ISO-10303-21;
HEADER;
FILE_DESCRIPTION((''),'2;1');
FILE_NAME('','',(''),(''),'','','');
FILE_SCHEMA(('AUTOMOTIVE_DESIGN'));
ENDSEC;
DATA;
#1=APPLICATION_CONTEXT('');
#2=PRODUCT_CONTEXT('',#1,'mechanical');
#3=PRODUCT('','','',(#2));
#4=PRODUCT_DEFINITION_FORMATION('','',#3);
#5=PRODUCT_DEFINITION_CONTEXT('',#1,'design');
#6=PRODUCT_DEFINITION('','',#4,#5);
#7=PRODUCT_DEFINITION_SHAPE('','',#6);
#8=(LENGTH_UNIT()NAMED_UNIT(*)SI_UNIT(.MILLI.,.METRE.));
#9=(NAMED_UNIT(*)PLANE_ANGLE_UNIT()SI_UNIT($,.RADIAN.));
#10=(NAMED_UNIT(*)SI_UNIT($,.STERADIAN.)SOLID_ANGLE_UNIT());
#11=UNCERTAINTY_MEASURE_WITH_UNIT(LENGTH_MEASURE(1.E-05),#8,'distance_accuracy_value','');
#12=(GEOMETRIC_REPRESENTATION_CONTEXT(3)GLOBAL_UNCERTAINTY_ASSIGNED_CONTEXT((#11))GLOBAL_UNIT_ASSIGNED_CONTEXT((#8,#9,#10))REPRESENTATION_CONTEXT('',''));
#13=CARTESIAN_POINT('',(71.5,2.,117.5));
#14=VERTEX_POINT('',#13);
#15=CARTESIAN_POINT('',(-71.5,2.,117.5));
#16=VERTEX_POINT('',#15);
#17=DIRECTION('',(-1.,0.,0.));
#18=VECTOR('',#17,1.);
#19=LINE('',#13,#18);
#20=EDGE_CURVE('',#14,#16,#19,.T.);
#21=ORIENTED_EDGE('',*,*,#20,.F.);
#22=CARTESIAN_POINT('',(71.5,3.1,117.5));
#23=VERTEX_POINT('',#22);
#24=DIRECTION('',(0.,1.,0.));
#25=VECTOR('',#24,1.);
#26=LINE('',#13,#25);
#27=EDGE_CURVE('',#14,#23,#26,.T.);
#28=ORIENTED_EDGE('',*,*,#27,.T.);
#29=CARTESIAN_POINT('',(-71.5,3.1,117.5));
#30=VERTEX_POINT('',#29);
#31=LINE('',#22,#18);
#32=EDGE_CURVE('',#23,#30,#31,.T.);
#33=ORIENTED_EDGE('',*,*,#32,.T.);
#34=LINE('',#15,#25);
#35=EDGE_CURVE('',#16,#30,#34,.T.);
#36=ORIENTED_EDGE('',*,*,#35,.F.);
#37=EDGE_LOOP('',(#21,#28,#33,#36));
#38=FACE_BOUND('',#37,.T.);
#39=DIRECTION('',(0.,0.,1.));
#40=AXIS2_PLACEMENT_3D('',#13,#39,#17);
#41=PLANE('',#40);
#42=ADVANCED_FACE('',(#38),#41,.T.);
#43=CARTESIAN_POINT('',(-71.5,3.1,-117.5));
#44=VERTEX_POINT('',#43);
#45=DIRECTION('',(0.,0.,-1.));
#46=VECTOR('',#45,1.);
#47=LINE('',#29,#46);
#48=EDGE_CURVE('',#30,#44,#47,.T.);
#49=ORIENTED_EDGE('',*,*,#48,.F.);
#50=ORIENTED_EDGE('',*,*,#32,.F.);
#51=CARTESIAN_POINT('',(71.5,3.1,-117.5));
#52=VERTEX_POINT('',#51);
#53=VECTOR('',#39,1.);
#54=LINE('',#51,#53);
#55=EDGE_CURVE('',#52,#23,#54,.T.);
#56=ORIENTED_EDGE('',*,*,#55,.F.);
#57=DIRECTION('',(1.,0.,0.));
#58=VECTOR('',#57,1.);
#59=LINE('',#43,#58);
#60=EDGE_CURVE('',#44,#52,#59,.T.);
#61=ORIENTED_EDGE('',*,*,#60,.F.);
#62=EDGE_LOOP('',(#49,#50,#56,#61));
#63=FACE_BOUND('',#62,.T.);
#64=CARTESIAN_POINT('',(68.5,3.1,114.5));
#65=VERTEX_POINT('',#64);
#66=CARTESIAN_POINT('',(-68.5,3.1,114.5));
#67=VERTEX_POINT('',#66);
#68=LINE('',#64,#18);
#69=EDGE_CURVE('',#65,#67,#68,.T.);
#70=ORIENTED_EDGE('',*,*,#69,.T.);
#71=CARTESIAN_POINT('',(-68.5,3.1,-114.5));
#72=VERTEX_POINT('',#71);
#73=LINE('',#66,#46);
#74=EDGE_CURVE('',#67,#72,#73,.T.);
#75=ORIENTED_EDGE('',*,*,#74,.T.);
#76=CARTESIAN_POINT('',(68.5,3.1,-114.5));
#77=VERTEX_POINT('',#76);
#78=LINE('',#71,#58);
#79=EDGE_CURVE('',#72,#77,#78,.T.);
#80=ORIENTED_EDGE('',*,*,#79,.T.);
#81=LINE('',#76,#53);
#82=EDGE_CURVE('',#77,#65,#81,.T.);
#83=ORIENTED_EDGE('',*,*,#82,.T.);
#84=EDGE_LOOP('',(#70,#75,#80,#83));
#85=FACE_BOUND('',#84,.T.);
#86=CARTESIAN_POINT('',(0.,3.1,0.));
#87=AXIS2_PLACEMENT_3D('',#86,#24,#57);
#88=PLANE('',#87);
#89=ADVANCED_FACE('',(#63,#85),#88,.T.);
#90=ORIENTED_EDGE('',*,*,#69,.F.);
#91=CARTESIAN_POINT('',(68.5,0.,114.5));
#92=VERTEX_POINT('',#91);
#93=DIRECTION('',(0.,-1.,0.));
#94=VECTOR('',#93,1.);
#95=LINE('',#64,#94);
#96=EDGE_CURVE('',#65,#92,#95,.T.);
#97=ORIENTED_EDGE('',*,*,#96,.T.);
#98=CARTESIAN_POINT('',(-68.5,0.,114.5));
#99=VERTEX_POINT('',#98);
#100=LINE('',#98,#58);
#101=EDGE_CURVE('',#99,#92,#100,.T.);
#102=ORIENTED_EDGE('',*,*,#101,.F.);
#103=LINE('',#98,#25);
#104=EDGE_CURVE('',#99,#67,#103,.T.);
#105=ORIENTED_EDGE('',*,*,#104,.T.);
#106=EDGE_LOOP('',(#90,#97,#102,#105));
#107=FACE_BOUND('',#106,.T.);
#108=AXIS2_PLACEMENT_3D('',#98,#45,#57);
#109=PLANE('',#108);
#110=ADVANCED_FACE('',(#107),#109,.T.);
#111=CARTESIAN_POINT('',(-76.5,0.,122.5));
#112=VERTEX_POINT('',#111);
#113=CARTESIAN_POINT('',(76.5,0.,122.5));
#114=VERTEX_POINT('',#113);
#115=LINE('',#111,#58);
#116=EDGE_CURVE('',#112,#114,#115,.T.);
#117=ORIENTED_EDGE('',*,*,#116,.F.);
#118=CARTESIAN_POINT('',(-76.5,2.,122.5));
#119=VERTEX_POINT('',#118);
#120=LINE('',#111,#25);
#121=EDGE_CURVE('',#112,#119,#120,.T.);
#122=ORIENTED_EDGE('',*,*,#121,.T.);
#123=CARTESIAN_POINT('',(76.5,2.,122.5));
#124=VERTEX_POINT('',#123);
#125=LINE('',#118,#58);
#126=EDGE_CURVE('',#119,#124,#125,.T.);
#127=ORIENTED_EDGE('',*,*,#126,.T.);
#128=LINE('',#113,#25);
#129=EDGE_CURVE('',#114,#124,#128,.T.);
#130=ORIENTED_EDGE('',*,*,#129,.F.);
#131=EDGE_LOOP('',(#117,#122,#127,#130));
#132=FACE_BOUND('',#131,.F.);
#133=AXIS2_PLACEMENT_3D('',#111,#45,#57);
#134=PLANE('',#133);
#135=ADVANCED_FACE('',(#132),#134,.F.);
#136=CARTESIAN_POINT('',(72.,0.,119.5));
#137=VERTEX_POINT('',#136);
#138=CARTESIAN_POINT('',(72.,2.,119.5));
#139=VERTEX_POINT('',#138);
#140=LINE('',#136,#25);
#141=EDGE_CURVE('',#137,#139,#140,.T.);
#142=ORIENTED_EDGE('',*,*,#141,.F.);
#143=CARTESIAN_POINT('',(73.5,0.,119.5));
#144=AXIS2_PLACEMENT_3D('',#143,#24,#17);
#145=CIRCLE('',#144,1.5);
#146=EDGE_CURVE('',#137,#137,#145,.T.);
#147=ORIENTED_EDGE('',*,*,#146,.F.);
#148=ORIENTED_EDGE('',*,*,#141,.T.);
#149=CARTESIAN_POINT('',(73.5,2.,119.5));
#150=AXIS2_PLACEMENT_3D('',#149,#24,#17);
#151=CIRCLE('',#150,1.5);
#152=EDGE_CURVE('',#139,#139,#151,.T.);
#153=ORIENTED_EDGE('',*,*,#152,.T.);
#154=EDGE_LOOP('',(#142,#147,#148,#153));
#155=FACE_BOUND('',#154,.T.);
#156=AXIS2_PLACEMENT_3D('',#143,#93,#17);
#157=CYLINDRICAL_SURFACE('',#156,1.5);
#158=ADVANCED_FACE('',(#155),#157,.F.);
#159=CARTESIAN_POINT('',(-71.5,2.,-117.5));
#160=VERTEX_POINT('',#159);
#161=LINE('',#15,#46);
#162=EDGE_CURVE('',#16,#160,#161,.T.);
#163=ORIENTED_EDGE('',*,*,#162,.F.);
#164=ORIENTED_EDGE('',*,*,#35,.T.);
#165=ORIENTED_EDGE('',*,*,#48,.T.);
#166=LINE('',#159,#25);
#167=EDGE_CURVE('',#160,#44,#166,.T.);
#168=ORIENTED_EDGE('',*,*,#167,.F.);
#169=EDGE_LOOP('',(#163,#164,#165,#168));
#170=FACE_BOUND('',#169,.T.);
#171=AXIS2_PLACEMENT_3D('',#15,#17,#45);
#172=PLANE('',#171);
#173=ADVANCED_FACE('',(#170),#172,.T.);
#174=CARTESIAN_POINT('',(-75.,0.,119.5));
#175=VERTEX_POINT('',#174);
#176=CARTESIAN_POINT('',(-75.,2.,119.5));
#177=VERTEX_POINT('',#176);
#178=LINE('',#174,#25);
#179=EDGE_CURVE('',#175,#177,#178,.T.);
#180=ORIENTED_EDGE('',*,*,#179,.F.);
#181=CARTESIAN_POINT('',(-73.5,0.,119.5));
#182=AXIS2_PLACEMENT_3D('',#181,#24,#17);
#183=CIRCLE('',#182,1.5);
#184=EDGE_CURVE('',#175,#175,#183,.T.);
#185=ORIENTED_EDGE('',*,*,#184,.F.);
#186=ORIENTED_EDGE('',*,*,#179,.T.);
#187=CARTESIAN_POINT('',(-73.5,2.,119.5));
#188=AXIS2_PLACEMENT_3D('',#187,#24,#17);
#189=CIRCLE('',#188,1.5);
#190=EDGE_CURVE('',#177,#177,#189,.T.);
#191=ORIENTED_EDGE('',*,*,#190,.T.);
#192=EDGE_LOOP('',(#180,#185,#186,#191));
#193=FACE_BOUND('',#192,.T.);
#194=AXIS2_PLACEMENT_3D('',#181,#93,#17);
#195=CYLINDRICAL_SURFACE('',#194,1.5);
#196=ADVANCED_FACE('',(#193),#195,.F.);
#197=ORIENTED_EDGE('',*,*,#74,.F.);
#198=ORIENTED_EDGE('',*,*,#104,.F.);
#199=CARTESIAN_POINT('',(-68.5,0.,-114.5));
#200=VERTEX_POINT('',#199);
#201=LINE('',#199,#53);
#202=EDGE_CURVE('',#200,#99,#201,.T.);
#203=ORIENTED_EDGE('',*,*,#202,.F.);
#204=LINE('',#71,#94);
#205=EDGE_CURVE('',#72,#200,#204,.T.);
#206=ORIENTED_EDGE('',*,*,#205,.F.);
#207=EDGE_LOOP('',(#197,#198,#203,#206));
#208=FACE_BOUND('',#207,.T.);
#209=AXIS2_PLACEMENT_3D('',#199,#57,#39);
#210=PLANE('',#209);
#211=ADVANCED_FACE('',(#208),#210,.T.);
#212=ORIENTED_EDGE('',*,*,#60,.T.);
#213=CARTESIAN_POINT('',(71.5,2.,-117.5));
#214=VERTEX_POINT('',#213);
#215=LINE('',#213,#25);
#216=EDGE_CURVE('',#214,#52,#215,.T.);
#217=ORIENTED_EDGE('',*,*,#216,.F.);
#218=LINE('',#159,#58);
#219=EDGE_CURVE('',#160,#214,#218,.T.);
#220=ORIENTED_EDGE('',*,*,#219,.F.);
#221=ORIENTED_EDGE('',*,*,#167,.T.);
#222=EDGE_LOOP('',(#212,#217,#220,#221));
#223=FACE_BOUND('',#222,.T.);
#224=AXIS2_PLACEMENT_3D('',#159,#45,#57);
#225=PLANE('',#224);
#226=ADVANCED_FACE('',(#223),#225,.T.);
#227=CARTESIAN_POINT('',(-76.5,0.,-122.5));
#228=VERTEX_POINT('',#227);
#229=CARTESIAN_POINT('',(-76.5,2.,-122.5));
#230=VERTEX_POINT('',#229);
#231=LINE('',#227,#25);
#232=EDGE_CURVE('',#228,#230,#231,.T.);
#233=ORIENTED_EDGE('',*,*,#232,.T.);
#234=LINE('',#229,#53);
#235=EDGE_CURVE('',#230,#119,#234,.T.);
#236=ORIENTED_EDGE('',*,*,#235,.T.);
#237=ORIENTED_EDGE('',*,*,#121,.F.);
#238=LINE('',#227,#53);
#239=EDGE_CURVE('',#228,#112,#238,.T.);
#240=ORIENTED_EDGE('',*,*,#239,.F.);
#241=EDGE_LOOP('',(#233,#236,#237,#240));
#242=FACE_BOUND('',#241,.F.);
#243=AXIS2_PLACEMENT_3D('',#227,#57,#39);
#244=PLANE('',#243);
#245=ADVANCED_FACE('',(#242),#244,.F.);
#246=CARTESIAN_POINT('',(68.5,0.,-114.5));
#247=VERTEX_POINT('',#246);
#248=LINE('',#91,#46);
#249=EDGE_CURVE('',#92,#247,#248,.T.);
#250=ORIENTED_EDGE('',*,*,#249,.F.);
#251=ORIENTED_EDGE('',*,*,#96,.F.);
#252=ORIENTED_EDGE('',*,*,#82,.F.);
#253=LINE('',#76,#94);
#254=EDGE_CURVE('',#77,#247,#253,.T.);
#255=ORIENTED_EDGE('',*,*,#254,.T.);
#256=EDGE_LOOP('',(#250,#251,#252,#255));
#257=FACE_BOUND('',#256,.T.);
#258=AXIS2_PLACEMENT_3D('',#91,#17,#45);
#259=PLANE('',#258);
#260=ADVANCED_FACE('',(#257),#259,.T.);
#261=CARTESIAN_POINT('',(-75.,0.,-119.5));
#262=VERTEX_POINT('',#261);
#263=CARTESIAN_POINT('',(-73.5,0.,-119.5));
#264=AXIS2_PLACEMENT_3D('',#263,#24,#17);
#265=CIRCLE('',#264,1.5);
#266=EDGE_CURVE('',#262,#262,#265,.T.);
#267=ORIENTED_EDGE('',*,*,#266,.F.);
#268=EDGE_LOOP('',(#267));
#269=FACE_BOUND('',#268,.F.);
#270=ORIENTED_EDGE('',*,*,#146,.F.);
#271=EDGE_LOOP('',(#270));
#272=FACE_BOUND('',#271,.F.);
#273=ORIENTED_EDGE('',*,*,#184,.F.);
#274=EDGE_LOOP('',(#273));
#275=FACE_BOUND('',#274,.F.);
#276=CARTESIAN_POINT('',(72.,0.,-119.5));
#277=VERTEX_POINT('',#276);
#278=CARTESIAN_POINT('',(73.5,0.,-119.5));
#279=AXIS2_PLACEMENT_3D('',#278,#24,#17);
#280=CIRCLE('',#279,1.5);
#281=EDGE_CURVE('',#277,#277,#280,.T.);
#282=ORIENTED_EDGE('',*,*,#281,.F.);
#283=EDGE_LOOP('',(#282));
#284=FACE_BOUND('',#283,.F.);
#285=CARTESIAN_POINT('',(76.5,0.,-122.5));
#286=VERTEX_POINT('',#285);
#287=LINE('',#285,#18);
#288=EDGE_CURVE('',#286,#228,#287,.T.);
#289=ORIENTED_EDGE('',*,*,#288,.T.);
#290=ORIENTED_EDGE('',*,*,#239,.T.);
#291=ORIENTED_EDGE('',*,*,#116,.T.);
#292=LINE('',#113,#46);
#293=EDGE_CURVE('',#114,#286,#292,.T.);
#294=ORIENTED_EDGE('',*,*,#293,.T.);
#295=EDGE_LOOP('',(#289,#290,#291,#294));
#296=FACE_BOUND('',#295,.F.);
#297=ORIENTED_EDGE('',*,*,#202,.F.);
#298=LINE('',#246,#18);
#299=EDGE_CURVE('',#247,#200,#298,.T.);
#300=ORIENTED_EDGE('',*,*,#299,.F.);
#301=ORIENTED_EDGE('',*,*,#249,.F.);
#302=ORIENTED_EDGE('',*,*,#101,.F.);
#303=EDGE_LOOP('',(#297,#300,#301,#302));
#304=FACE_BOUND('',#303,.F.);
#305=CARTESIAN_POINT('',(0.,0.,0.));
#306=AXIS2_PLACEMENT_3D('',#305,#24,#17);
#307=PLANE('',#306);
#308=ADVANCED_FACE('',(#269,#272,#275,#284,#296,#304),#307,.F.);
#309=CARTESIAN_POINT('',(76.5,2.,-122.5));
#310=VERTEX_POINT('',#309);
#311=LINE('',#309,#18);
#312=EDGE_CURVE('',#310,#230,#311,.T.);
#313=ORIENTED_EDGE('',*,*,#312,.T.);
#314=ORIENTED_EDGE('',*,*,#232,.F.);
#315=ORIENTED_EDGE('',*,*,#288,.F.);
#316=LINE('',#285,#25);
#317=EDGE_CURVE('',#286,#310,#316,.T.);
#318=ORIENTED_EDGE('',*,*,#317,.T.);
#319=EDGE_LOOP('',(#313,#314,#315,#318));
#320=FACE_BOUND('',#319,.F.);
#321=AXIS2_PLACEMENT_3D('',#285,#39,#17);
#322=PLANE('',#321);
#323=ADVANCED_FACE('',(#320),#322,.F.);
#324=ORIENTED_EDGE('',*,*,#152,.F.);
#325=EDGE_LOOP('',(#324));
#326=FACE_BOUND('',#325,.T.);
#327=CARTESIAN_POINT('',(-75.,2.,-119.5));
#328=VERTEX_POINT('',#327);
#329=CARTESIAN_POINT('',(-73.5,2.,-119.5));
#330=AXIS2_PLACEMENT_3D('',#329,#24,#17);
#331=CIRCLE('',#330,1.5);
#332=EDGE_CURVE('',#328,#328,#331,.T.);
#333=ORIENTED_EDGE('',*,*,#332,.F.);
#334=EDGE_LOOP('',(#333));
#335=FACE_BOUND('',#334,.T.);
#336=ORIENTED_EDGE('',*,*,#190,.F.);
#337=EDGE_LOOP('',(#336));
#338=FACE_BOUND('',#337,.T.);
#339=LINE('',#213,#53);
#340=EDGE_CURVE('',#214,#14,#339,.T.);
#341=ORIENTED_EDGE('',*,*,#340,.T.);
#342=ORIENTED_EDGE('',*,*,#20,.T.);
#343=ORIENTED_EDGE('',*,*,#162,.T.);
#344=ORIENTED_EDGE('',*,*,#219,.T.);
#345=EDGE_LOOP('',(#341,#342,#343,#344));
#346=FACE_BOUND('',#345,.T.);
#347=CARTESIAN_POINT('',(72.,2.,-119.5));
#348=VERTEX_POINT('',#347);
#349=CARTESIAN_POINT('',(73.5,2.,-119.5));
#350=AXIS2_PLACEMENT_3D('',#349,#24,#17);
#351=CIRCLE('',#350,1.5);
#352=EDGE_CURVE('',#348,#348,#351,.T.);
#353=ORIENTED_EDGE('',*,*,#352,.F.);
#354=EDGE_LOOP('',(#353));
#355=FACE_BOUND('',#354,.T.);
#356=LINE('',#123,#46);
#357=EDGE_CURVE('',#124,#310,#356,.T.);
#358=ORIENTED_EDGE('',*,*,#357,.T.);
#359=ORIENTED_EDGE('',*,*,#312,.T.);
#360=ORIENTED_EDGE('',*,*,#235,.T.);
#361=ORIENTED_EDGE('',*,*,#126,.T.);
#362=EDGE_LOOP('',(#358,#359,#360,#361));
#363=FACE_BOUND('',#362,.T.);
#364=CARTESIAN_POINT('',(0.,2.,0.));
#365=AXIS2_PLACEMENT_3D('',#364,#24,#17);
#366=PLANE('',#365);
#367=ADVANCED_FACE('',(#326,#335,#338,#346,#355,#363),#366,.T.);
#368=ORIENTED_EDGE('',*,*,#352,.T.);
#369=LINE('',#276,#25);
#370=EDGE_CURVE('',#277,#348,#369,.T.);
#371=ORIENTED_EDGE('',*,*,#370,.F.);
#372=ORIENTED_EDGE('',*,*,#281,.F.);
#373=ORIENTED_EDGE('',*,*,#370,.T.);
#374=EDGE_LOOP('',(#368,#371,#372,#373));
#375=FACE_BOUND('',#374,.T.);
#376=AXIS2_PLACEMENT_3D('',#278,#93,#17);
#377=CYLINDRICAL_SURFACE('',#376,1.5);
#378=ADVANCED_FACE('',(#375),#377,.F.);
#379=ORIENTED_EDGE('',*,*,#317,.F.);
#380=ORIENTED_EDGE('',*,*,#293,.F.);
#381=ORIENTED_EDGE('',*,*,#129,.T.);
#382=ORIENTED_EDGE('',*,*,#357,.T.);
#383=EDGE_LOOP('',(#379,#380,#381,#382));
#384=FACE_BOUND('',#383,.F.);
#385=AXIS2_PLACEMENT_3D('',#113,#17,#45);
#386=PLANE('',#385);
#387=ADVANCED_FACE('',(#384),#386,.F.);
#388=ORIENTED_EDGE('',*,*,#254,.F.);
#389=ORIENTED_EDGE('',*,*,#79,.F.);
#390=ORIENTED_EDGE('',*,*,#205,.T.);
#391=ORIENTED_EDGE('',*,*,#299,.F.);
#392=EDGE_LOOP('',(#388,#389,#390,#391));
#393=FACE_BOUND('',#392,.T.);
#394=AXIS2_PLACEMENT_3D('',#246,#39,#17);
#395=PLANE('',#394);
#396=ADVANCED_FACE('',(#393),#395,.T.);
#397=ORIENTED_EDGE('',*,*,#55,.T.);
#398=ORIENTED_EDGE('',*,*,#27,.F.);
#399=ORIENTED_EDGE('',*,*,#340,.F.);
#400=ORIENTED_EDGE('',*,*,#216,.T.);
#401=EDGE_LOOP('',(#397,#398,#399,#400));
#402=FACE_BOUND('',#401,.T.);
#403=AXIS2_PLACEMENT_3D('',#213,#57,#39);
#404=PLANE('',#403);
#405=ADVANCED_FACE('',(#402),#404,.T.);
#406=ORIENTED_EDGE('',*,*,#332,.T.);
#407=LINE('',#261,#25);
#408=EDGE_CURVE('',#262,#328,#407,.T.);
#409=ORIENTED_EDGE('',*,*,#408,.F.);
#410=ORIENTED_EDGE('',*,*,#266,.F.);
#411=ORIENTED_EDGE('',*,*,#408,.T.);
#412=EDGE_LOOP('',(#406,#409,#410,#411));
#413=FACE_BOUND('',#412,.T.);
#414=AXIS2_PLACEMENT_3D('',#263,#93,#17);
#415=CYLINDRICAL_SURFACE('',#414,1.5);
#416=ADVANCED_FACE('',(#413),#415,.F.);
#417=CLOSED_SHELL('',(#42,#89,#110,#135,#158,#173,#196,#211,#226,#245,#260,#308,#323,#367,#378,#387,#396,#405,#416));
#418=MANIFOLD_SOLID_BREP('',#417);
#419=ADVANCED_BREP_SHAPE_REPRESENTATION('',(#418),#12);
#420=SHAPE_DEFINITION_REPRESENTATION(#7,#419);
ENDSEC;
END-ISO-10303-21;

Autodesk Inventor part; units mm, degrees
ref_plane "YZ Plane" through (0, 0, 0) normal (1, 0, 0) x (0, 1, 0)
ref_plane "XZ Plane" through (0, 0, 0) normal (0, 1, 0) x (-1, 0, 0)
ref_plane "XY Plane" through (0, 0, 0) normal (0, 0, 1) x (1, 0, 0)
sketch "스케치1" plane through (0, 0, 0) normal (0, 1, 0) x (-1, 0, 0)
  line L0 (76.5, 122.5) -> (-76.5, 122.5)
  line L1 (-76.5, 122.5) -> (-76.5, -122.5)
  line L2 (-76.5, -122.5) -> (76.5, -122.5)
  line L3 (76.5, -122.5) -> (76.5, 122.5)
  line L4 (76.5, 122.5) -> (-76.5, -122.5) construction
  line L5 (-76.5, 122.5) -> (76.5, -122.5) construction
  line L6 (68.5, 114.5) -> (-68.5, 114.5)
  line L7 (-68.5, 114.5) -> (-68.5, -114.5)
  line L8 (-68.5, -114.5) -> (68.5, -114.5)
  line L9 (68.5, -114.5) -> (68.5, 114.5)
  line L10 (73.5, 119.5) -> (-73.5, 119.5) construction
  line L11 (-73.5, 119.5) -> (-73.5, -119.5) construction
  line L12 (-73.5, -119.5) -> (73.5, -119.5) construction
  line L13 (73.5, -119.5) -> (73.5, 119.5) construction
  circle A0 centre (73.5, 119.5) radius 1.5
  line L14 (0, 146) -> (0, -170.2735) construction
  line L15 (-97, 0) -> (111, 0) construction
  circle A1 centre (-73.5, 119.5) radius 1.5
  circle A2 centre (73.5, -119.5) radius 1.5
  circle A3 centre (-73.5, -119.5) radius 1.5
  point P0 (0, 0)
  dimension "d0" = 245
  dimension "d1" = 153
  dimension "d2" = 8
  dimension "d3" = 3
  dimension "d4" = 3
extrude "돌출1" add sketch "스케치1" along normal blind 2
sketch "스케치2" plane through (0, 2, 0) normal (0, 1, 0) x (1, 0, 0)
  point P0 (0, 0)
sketch "스케치3" plane through (0, 2, 0) normal (0, 1, 0) x (1, 0, 0)
  line L0 (-76.5, -122.5) -> (76.5, -122.5) projected
  line L1 (-76.5, 122.5) -> (-76.5, -122.5) projected
  line L2 (76.5, 122.5) -> (-76.5, 122.5) projected
  line L3 (76.5, -122.5) -> (76.5, 122.5) projected
  line L4 (71.5, -117.5) -> (-71.5, -117.5)
  line L5 (-71.5, -117.5) -> (-71.5, 117.5)
  line L6 (-71.5, 117.5) -> (71.5, 117.5)
  line L7 (71.5, 117.5) -> (71.5, -117.5)
  line L8 (68.5, -114.5) -> (-68.5, -114.5) projected
  line L9 (-68.5, -114.5) -> (-68.5, 114.5) projected
  line L10 (-68.5, 114.5) -> (68.5, 114.5) projected
  line L11 (68.5, 114.5) -> (68.5, -114.5) projected
  line L12 (-68.5, -114.5) -> (68.5, -114.5)
  line L13 (68.5, -114.5) -> (68.5, 114.5)
  line L14 (68.5, 114.5) -> (-68.5, 114.5)
  line L15 (-68.5, 114.5) -> (-68.5, -114.5)
  point P0 (0, 0)
  dimension "d7" = 5
extrude "돌출2" add sketch "스케치3" along normal blind 1.1 contours L4 L5 L6 L7
properties part number "LCD_Bottom_Cover"
